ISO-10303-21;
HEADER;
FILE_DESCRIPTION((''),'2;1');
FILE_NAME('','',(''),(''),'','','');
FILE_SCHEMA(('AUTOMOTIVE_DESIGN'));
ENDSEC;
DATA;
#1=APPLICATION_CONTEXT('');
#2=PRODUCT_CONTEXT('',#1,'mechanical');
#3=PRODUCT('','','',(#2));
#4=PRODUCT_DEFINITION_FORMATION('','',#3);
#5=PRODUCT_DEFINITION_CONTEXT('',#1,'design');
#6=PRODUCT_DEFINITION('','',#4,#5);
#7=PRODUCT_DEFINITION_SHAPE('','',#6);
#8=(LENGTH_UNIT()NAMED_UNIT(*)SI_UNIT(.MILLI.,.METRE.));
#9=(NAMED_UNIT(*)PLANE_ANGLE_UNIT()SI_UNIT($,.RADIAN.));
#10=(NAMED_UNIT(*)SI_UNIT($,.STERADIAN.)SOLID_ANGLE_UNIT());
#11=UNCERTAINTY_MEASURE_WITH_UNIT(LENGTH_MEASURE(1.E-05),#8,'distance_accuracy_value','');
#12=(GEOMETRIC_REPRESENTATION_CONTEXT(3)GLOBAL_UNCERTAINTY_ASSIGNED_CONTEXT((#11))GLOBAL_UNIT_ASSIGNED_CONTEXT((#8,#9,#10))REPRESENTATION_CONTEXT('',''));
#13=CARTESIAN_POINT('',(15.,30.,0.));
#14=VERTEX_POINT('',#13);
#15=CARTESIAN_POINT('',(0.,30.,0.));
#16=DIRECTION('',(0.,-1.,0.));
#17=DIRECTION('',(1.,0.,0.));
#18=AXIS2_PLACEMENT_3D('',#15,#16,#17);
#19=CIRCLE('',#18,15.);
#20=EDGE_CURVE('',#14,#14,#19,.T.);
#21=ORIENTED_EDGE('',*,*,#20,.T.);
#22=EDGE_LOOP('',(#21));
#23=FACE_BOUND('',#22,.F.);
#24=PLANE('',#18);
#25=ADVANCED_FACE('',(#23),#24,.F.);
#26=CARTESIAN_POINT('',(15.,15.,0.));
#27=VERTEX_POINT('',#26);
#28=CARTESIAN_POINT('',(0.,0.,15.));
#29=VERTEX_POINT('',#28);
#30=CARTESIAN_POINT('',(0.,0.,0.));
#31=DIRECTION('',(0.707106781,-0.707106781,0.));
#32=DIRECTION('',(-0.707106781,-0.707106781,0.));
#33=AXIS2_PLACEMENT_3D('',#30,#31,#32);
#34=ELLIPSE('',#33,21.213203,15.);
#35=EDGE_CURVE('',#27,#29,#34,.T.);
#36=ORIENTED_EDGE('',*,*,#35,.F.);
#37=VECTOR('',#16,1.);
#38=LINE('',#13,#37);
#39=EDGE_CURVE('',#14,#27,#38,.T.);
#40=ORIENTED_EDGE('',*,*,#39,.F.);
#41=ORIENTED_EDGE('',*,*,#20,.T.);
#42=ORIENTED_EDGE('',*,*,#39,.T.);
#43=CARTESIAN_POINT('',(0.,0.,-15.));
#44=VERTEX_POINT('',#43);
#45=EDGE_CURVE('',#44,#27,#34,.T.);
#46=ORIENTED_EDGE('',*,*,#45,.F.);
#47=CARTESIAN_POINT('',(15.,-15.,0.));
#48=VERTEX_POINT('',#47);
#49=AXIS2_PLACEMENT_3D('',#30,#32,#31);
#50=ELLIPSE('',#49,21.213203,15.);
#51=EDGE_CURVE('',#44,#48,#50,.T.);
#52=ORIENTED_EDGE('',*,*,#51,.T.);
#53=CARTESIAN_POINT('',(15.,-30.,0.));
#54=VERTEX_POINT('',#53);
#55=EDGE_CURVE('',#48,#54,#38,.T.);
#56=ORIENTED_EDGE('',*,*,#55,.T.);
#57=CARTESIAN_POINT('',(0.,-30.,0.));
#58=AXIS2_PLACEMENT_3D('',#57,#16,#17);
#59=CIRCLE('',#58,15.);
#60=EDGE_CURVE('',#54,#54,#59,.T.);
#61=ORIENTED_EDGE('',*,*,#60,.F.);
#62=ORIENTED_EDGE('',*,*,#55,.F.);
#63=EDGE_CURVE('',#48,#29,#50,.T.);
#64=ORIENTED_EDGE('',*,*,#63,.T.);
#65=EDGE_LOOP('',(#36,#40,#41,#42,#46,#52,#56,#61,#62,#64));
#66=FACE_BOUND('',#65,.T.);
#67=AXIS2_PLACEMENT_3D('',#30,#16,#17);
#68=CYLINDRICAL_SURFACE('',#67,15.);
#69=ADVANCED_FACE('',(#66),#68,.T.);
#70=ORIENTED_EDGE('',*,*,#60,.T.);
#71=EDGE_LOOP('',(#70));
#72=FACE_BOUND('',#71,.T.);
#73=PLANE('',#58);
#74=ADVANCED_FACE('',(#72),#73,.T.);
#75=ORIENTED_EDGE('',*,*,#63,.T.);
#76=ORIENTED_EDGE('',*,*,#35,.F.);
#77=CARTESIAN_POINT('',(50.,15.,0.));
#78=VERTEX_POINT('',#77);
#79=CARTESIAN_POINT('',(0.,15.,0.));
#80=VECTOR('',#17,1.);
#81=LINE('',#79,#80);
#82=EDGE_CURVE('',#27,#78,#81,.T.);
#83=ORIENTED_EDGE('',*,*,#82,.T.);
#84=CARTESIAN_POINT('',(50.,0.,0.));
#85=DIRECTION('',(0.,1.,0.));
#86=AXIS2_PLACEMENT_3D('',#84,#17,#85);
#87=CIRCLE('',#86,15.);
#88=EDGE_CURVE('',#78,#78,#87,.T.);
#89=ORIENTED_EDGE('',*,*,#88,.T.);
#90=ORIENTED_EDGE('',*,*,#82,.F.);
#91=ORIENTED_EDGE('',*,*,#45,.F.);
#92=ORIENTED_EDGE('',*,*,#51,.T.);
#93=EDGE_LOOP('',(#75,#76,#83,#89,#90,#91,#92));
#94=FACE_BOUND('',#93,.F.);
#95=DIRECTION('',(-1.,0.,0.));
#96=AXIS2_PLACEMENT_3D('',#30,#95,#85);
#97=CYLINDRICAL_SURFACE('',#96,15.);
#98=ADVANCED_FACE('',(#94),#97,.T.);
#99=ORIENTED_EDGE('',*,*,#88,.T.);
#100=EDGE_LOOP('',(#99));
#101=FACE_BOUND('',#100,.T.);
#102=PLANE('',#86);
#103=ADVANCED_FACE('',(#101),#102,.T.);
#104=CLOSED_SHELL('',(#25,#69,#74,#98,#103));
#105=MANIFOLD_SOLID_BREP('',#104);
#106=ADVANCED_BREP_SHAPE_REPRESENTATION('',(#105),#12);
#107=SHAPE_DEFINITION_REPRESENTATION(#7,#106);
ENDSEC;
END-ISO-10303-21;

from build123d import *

# Parameters (mm, degrees)
F0_R     = 15
F1_DEPTH = 30
F2_R     = 15
F3_DEPTH = 50


with BuildPart() as f1:
    # F0 (on Front) → F1 (new body, symmetric)
    with BuildSketch(Plane.XZ):
        Circle(F0_R)
    extrude(amount=F1_DEPTH, both=True)

    # F2 (on Right) → F3 (join)
    with BuildSketch(Plane.YZ):
        Circle(F2_R)
    extrude(amount=F3_DEPTH)


solid = f1.part
